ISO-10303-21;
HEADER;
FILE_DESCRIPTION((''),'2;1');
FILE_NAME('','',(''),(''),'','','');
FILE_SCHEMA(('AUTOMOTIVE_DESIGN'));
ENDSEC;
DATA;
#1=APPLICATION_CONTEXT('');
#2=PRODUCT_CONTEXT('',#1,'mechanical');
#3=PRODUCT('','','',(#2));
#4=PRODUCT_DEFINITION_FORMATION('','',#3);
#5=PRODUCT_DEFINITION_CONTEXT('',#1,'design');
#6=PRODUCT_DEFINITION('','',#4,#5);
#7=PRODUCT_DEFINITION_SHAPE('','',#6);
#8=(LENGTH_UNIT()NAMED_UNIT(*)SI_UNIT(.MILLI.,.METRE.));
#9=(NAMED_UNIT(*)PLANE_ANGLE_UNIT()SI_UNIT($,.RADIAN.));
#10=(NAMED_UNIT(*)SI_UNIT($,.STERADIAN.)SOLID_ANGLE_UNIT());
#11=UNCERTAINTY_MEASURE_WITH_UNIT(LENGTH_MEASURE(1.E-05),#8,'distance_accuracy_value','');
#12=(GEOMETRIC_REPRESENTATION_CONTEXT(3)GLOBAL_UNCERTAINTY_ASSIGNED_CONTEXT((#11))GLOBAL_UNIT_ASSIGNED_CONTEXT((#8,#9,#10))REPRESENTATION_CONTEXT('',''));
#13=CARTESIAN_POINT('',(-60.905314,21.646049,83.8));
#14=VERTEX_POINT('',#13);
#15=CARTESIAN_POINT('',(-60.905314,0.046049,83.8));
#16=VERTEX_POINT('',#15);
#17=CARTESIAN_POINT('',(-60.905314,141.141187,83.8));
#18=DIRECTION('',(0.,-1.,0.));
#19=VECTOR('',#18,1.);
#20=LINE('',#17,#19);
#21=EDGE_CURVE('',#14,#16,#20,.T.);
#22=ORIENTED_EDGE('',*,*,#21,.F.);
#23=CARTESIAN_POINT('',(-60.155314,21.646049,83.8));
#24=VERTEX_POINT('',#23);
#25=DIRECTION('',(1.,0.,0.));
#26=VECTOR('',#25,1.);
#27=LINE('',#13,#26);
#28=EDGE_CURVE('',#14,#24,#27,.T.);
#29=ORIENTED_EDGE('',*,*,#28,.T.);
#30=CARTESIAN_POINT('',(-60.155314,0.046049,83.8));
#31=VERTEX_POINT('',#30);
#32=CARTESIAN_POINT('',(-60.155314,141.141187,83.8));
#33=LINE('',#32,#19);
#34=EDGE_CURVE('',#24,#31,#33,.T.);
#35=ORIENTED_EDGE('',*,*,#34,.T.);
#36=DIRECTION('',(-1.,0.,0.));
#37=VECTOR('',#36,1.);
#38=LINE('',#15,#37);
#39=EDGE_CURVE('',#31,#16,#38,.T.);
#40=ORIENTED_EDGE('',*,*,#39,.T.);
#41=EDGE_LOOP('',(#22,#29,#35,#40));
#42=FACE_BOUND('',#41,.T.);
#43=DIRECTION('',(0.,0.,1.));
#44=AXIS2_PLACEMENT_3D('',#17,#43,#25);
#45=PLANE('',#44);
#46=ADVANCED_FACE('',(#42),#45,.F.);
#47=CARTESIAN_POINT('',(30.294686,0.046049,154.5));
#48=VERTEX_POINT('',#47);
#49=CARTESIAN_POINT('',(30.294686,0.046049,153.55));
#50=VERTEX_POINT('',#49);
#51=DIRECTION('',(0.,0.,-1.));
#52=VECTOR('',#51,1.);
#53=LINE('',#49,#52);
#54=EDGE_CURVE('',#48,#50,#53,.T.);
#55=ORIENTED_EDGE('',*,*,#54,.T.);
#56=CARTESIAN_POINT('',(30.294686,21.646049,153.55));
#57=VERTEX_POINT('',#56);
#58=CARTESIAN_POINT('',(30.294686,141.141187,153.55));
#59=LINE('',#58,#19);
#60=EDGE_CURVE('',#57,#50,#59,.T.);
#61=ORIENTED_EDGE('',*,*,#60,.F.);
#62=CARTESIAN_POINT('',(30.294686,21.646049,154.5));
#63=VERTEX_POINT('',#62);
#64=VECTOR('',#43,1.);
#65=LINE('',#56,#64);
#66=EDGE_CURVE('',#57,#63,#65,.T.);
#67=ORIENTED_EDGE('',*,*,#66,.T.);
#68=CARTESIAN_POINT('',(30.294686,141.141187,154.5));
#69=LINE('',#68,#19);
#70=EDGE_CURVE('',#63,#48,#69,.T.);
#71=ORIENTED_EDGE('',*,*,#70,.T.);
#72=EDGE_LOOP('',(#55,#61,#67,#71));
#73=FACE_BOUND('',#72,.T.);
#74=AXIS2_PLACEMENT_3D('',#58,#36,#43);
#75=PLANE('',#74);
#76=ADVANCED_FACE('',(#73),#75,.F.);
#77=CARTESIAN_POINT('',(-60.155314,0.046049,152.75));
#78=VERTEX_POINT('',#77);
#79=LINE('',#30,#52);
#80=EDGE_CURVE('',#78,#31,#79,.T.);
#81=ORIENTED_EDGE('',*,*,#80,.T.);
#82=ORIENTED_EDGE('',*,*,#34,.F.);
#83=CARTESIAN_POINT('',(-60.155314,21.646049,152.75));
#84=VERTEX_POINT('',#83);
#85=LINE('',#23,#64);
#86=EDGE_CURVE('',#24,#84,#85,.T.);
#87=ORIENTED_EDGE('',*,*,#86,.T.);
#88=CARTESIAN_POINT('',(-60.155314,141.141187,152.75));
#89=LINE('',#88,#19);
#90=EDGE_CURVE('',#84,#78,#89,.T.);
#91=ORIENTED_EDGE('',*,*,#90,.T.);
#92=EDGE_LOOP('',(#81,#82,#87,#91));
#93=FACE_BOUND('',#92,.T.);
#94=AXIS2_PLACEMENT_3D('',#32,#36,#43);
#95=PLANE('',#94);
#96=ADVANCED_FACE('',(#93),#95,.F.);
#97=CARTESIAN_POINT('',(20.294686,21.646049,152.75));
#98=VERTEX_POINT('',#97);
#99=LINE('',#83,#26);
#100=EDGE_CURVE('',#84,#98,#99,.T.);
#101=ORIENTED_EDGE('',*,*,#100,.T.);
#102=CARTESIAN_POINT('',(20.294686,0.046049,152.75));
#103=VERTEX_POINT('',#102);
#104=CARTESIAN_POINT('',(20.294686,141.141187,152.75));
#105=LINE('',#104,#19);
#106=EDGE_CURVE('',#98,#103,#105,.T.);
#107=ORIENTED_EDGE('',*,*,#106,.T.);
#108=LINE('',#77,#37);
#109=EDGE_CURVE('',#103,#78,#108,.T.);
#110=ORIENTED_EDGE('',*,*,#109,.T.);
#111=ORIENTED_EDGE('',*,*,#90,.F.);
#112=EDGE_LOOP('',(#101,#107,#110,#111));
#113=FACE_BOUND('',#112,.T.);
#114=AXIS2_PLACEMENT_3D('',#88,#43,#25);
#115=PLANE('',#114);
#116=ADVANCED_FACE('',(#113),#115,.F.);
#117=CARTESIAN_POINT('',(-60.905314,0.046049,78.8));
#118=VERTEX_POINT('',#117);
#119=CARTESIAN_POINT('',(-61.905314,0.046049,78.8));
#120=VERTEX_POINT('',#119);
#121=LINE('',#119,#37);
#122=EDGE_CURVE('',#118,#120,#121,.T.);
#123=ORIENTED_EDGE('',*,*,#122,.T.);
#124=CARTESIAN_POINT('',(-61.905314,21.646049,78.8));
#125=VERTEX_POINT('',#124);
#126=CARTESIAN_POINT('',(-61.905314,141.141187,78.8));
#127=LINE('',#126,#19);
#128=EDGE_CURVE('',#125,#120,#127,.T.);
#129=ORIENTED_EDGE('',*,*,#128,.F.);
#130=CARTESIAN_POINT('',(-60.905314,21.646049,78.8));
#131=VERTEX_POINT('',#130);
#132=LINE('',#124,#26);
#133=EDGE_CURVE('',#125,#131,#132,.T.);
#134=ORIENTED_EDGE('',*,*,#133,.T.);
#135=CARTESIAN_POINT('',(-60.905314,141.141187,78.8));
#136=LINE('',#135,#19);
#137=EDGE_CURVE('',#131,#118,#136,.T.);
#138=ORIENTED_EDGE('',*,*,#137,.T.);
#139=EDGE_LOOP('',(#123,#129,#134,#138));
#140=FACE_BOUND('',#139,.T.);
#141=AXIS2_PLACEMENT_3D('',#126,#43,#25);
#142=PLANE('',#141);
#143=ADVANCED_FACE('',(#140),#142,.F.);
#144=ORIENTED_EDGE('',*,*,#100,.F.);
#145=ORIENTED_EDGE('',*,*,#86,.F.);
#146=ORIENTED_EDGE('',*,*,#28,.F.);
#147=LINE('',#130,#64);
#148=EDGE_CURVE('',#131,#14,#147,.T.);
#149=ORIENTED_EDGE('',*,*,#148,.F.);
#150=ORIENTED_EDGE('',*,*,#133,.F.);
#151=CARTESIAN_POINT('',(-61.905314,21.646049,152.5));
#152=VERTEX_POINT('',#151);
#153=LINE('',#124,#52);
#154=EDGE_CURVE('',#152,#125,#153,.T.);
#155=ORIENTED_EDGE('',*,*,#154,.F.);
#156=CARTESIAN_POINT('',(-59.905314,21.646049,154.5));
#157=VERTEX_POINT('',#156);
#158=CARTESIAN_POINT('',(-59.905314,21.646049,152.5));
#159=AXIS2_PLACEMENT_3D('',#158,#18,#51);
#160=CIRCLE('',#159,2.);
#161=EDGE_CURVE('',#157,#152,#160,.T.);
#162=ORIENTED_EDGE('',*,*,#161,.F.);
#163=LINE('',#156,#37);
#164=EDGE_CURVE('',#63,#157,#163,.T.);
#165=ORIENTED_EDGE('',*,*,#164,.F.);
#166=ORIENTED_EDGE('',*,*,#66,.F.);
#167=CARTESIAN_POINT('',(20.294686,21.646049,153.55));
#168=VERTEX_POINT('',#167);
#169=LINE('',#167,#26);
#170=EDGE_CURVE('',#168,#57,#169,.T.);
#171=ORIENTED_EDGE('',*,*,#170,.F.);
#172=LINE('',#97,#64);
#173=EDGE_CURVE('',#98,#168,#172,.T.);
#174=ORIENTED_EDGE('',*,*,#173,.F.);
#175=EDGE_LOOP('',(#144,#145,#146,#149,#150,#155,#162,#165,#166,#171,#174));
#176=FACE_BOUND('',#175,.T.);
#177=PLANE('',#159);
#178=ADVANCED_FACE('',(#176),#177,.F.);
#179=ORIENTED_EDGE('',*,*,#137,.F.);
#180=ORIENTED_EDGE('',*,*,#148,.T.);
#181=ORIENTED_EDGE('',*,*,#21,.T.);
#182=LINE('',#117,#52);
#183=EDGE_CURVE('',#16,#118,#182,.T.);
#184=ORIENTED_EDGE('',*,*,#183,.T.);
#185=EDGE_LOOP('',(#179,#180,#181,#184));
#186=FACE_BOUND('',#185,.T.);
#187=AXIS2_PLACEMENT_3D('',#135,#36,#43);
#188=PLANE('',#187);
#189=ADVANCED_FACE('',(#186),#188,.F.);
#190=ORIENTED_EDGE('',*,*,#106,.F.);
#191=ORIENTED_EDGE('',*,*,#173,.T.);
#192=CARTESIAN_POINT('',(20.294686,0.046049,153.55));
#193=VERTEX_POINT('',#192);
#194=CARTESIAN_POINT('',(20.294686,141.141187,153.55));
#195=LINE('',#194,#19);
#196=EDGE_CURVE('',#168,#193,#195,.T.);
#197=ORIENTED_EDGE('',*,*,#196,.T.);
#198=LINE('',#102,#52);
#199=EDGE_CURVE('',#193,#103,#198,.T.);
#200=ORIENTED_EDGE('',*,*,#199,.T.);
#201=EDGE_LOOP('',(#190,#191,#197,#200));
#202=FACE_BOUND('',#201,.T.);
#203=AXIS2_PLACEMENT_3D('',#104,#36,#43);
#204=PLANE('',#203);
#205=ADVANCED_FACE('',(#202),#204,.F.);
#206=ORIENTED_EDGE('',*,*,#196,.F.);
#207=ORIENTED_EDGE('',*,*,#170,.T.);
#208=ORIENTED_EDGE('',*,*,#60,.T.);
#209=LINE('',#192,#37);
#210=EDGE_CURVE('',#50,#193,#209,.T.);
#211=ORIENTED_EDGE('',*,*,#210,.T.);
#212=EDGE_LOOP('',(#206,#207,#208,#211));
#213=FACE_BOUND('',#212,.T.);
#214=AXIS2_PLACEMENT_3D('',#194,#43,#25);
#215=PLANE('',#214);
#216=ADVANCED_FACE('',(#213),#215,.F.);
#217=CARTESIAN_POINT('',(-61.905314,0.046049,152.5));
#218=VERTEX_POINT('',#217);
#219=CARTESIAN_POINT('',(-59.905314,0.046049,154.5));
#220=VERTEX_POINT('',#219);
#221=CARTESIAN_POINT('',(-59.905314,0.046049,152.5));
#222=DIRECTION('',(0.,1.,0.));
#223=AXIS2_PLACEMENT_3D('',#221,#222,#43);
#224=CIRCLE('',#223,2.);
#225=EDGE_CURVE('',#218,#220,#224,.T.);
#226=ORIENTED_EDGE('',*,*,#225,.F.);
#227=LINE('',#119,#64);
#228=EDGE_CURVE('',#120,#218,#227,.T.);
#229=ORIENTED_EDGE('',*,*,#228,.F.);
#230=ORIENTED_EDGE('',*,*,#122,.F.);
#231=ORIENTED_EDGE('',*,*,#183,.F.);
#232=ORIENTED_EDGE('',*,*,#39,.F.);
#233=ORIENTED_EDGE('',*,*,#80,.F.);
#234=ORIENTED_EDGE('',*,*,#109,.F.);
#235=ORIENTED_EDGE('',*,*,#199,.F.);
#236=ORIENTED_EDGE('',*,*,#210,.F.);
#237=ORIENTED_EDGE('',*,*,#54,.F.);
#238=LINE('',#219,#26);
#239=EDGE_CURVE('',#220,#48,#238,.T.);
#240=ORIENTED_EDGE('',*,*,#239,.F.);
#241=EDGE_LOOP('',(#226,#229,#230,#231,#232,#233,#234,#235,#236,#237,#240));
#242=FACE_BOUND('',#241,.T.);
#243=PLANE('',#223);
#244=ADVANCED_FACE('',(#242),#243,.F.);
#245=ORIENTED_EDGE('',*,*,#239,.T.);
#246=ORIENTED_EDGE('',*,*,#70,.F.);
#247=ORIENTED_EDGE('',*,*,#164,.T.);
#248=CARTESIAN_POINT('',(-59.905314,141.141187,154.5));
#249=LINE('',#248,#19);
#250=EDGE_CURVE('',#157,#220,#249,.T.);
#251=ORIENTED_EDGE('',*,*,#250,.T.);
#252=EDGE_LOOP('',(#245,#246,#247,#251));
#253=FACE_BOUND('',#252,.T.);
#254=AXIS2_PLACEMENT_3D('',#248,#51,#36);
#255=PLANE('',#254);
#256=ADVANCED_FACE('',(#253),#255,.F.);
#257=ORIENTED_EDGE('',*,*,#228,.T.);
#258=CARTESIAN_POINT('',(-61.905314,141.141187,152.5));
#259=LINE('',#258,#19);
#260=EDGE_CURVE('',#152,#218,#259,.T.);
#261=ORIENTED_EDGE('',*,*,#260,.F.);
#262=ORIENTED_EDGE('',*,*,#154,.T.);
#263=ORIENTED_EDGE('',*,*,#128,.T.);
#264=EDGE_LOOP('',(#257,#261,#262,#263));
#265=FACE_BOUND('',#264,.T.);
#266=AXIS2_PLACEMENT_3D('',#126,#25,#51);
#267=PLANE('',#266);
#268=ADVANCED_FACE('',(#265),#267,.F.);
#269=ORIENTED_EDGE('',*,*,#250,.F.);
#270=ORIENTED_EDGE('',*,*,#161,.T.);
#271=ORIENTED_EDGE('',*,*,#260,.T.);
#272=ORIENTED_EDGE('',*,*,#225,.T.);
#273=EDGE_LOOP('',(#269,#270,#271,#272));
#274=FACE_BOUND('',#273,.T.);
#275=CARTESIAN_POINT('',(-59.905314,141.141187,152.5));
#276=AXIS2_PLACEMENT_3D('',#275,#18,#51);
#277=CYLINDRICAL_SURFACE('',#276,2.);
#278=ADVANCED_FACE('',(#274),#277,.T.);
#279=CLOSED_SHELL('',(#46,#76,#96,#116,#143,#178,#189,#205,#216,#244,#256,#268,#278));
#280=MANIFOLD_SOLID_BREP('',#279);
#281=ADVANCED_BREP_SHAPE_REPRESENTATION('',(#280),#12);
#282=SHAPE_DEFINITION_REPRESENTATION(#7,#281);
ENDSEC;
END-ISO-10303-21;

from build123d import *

# Parameters (mm, degrees)
SALIENTE_EXTRUIR1_START = 0.2
SALIENTE_EXTRUIR1_DEPTH = 21.6


with BuildPart() as part:
    # Croquis1 → Saliente-Extruir1 (new body)
    with BuildSketch(Plane(origin=(0, -0.153950711, 0), x_dir=(1, 0, 0), z_dir=(0, 1, 0)).offset(SALIENTE_EXTRUIR1_START)):
        with BuildLine():
            Line((-59.905314299, -154.5), (30.294685701, -154.5))
            Line((30.294685701, -154.5), (30.294685701, -153.55))
            Line((30.294685701, -153.55), (20.294685701, -153.55))
            Line((20.294685701, -153.55), (20.294685701, -152.75))
            Line((20.294685701, -152.75), (-60.155314299, -152.75))
            Line((-60.155314299, -152.75), (-60.155314299, -83.8))
            Line((-60.155314299, -83.8), (-60.905314299, -83.8))
            Line((-60.905314299, -83.8), (-60.905314299, -78.8))
            Line((-60.905314299, -78.8), (-61.905314299, -78.8))
            Line((-61.905314299, -78.8), (-61.905314299, -152.5))
            ThreePointArc((-61.905314299, -152.5), (-61.319527861, -153.914213562), (-59.905314299, -154.5))
        make_face()
    extrude(amount=SALIENTE_EXTRUIR1_DEPTH)


solid = part.part
